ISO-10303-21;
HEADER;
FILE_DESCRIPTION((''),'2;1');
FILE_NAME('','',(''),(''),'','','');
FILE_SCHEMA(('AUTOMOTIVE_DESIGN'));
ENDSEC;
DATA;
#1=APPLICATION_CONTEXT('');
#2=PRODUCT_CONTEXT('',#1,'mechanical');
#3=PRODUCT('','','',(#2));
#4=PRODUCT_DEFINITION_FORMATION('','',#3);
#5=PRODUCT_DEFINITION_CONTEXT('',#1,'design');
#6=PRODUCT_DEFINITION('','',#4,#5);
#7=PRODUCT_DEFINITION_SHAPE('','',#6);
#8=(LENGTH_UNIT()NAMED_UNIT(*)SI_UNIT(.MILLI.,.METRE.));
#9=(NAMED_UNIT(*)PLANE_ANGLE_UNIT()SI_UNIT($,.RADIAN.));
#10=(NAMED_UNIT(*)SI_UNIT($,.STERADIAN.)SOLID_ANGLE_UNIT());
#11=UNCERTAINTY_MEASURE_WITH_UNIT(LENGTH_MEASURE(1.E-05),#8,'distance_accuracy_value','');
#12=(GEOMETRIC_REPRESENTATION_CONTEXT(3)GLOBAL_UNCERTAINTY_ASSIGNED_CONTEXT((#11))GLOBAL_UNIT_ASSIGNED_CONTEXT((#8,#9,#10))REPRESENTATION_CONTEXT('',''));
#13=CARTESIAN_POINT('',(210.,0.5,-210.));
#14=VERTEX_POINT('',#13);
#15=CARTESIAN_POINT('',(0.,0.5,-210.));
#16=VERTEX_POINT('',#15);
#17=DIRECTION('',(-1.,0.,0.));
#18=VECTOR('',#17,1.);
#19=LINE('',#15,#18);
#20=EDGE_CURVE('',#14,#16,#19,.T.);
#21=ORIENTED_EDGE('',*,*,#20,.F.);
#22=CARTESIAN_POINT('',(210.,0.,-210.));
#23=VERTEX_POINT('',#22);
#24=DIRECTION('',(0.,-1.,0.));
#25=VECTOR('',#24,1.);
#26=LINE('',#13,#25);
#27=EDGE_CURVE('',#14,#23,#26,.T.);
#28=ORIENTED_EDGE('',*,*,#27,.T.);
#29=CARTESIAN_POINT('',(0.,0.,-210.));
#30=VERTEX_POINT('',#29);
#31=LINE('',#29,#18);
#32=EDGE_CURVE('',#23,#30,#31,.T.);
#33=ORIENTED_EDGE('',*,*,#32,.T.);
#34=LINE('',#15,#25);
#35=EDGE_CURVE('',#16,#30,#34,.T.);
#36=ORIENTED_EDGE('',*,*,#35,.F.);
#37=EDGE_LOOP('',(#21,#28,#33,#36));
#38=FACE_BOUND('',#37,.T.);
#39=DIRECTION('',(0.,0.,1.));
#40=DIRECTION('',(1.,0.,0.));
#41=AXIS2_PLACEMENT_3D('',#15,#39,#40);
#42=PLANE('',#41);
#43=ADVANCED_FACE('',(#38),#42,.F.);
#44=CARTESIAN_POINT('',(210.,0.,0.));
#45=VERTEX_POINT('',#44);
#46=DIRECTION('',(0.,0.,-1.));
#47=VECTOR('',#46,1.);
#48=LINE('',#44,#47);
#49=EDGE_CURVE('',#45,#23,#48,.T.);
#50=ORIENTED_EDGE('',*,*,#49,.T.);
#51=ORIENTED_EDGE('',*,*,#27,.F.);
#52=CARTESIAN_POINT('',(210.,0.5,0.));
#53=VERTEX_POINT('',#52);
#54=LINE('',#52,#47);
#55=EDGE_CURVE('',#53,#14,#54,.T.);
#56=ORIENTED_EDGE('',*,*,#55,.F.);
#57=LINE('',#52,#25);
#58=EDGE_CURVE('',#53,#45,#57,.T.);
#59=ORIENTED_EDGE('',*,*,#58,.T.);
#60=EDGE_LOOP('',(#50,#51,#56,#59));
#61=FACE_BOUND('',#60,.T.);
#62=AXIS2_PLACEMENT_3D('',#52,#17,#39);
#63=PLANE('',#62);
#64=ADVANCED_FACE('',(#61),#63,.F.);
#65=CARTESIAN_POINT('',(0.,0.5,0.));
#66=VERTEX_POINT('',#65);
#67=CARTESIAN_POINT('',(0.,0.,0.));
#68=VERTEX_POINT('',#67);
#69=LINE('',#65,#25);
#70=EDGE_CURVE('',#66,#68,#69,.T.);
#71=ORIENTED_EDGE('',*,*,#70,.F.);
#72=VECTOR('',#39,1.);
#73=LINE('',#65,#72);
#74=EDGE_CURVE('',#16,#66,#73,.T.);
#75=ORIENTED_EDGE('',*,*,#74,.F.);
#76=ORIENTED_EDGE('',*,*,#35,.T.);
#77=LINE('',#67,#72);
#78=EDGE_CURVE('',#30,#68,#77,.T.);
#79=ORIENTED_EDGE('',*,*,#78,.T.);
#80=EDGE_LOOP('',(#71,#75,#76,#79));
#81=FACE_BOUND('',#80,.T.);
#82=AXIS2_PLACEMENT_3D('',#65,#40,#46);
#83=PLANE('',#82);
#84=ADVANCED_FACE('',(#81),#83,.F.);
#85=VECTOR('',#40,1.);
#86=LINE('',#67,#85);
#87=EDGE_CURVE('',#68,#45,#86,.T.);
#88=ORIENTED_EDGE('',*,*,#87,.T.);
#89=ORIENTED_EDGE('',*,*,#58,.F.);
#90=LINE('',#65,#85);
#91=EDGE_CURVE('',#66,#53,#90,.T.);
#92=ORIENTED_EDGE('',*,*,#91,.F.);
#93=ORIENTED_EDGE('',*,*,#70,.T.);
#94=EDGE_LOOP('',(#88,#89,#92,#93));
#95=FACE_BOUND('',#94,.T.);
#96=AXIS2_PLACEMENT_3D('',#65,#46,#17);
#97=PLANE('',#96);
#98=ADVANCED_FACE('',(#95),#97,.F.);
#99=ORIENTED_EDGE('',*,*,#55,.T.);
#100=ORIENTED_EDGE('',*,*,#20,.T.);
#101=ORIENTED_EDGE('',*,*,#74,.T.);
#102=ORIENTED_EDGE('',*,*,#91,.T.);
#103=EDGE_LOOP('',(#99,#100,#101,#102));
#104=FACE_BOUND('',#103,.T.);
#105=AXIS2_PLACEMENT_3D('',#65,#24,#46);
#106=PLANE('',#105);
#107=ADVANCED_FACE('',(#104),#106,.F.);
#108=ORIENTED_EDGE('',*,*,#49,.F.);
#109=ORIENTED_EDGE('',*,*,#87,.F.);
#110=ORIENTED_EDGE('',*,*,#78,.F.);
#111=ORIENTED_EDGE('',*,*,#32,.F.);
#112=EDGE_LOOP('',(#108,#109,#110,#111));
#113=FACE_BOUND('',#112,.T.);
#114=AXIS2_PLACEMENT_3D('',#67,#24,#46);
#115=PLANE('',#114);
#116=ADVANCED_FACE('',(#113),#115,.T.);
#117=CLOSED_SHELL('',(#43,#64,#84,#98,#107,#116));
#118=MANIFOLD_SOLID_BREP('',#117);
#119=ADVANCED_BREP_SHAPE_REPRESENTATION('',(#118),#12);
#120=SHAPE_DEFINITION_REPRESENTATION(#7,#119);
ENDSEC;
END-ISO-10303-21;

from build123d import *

# Parameters (mm, degrees)
SKETCH_1_W      = 210
SKETCH_1_H      = 210
EXTRUDE_1_DEPTH = 0.5


with BuildPart() as part:
    # 草图1 → 凸台-拉伸1 (new body)
    with BuildSketch(Plane(origin=(0, 0, 0), x_dir=(1, 0, 0), z_dir=(0, 1, 0))):
        with Locations((105, 105)):
            Rectangle(SKETCH_1_W, SKETCH_1_H)
    extrude(amount=EXTRUDE_1_DEPTH)


solid = part.part
